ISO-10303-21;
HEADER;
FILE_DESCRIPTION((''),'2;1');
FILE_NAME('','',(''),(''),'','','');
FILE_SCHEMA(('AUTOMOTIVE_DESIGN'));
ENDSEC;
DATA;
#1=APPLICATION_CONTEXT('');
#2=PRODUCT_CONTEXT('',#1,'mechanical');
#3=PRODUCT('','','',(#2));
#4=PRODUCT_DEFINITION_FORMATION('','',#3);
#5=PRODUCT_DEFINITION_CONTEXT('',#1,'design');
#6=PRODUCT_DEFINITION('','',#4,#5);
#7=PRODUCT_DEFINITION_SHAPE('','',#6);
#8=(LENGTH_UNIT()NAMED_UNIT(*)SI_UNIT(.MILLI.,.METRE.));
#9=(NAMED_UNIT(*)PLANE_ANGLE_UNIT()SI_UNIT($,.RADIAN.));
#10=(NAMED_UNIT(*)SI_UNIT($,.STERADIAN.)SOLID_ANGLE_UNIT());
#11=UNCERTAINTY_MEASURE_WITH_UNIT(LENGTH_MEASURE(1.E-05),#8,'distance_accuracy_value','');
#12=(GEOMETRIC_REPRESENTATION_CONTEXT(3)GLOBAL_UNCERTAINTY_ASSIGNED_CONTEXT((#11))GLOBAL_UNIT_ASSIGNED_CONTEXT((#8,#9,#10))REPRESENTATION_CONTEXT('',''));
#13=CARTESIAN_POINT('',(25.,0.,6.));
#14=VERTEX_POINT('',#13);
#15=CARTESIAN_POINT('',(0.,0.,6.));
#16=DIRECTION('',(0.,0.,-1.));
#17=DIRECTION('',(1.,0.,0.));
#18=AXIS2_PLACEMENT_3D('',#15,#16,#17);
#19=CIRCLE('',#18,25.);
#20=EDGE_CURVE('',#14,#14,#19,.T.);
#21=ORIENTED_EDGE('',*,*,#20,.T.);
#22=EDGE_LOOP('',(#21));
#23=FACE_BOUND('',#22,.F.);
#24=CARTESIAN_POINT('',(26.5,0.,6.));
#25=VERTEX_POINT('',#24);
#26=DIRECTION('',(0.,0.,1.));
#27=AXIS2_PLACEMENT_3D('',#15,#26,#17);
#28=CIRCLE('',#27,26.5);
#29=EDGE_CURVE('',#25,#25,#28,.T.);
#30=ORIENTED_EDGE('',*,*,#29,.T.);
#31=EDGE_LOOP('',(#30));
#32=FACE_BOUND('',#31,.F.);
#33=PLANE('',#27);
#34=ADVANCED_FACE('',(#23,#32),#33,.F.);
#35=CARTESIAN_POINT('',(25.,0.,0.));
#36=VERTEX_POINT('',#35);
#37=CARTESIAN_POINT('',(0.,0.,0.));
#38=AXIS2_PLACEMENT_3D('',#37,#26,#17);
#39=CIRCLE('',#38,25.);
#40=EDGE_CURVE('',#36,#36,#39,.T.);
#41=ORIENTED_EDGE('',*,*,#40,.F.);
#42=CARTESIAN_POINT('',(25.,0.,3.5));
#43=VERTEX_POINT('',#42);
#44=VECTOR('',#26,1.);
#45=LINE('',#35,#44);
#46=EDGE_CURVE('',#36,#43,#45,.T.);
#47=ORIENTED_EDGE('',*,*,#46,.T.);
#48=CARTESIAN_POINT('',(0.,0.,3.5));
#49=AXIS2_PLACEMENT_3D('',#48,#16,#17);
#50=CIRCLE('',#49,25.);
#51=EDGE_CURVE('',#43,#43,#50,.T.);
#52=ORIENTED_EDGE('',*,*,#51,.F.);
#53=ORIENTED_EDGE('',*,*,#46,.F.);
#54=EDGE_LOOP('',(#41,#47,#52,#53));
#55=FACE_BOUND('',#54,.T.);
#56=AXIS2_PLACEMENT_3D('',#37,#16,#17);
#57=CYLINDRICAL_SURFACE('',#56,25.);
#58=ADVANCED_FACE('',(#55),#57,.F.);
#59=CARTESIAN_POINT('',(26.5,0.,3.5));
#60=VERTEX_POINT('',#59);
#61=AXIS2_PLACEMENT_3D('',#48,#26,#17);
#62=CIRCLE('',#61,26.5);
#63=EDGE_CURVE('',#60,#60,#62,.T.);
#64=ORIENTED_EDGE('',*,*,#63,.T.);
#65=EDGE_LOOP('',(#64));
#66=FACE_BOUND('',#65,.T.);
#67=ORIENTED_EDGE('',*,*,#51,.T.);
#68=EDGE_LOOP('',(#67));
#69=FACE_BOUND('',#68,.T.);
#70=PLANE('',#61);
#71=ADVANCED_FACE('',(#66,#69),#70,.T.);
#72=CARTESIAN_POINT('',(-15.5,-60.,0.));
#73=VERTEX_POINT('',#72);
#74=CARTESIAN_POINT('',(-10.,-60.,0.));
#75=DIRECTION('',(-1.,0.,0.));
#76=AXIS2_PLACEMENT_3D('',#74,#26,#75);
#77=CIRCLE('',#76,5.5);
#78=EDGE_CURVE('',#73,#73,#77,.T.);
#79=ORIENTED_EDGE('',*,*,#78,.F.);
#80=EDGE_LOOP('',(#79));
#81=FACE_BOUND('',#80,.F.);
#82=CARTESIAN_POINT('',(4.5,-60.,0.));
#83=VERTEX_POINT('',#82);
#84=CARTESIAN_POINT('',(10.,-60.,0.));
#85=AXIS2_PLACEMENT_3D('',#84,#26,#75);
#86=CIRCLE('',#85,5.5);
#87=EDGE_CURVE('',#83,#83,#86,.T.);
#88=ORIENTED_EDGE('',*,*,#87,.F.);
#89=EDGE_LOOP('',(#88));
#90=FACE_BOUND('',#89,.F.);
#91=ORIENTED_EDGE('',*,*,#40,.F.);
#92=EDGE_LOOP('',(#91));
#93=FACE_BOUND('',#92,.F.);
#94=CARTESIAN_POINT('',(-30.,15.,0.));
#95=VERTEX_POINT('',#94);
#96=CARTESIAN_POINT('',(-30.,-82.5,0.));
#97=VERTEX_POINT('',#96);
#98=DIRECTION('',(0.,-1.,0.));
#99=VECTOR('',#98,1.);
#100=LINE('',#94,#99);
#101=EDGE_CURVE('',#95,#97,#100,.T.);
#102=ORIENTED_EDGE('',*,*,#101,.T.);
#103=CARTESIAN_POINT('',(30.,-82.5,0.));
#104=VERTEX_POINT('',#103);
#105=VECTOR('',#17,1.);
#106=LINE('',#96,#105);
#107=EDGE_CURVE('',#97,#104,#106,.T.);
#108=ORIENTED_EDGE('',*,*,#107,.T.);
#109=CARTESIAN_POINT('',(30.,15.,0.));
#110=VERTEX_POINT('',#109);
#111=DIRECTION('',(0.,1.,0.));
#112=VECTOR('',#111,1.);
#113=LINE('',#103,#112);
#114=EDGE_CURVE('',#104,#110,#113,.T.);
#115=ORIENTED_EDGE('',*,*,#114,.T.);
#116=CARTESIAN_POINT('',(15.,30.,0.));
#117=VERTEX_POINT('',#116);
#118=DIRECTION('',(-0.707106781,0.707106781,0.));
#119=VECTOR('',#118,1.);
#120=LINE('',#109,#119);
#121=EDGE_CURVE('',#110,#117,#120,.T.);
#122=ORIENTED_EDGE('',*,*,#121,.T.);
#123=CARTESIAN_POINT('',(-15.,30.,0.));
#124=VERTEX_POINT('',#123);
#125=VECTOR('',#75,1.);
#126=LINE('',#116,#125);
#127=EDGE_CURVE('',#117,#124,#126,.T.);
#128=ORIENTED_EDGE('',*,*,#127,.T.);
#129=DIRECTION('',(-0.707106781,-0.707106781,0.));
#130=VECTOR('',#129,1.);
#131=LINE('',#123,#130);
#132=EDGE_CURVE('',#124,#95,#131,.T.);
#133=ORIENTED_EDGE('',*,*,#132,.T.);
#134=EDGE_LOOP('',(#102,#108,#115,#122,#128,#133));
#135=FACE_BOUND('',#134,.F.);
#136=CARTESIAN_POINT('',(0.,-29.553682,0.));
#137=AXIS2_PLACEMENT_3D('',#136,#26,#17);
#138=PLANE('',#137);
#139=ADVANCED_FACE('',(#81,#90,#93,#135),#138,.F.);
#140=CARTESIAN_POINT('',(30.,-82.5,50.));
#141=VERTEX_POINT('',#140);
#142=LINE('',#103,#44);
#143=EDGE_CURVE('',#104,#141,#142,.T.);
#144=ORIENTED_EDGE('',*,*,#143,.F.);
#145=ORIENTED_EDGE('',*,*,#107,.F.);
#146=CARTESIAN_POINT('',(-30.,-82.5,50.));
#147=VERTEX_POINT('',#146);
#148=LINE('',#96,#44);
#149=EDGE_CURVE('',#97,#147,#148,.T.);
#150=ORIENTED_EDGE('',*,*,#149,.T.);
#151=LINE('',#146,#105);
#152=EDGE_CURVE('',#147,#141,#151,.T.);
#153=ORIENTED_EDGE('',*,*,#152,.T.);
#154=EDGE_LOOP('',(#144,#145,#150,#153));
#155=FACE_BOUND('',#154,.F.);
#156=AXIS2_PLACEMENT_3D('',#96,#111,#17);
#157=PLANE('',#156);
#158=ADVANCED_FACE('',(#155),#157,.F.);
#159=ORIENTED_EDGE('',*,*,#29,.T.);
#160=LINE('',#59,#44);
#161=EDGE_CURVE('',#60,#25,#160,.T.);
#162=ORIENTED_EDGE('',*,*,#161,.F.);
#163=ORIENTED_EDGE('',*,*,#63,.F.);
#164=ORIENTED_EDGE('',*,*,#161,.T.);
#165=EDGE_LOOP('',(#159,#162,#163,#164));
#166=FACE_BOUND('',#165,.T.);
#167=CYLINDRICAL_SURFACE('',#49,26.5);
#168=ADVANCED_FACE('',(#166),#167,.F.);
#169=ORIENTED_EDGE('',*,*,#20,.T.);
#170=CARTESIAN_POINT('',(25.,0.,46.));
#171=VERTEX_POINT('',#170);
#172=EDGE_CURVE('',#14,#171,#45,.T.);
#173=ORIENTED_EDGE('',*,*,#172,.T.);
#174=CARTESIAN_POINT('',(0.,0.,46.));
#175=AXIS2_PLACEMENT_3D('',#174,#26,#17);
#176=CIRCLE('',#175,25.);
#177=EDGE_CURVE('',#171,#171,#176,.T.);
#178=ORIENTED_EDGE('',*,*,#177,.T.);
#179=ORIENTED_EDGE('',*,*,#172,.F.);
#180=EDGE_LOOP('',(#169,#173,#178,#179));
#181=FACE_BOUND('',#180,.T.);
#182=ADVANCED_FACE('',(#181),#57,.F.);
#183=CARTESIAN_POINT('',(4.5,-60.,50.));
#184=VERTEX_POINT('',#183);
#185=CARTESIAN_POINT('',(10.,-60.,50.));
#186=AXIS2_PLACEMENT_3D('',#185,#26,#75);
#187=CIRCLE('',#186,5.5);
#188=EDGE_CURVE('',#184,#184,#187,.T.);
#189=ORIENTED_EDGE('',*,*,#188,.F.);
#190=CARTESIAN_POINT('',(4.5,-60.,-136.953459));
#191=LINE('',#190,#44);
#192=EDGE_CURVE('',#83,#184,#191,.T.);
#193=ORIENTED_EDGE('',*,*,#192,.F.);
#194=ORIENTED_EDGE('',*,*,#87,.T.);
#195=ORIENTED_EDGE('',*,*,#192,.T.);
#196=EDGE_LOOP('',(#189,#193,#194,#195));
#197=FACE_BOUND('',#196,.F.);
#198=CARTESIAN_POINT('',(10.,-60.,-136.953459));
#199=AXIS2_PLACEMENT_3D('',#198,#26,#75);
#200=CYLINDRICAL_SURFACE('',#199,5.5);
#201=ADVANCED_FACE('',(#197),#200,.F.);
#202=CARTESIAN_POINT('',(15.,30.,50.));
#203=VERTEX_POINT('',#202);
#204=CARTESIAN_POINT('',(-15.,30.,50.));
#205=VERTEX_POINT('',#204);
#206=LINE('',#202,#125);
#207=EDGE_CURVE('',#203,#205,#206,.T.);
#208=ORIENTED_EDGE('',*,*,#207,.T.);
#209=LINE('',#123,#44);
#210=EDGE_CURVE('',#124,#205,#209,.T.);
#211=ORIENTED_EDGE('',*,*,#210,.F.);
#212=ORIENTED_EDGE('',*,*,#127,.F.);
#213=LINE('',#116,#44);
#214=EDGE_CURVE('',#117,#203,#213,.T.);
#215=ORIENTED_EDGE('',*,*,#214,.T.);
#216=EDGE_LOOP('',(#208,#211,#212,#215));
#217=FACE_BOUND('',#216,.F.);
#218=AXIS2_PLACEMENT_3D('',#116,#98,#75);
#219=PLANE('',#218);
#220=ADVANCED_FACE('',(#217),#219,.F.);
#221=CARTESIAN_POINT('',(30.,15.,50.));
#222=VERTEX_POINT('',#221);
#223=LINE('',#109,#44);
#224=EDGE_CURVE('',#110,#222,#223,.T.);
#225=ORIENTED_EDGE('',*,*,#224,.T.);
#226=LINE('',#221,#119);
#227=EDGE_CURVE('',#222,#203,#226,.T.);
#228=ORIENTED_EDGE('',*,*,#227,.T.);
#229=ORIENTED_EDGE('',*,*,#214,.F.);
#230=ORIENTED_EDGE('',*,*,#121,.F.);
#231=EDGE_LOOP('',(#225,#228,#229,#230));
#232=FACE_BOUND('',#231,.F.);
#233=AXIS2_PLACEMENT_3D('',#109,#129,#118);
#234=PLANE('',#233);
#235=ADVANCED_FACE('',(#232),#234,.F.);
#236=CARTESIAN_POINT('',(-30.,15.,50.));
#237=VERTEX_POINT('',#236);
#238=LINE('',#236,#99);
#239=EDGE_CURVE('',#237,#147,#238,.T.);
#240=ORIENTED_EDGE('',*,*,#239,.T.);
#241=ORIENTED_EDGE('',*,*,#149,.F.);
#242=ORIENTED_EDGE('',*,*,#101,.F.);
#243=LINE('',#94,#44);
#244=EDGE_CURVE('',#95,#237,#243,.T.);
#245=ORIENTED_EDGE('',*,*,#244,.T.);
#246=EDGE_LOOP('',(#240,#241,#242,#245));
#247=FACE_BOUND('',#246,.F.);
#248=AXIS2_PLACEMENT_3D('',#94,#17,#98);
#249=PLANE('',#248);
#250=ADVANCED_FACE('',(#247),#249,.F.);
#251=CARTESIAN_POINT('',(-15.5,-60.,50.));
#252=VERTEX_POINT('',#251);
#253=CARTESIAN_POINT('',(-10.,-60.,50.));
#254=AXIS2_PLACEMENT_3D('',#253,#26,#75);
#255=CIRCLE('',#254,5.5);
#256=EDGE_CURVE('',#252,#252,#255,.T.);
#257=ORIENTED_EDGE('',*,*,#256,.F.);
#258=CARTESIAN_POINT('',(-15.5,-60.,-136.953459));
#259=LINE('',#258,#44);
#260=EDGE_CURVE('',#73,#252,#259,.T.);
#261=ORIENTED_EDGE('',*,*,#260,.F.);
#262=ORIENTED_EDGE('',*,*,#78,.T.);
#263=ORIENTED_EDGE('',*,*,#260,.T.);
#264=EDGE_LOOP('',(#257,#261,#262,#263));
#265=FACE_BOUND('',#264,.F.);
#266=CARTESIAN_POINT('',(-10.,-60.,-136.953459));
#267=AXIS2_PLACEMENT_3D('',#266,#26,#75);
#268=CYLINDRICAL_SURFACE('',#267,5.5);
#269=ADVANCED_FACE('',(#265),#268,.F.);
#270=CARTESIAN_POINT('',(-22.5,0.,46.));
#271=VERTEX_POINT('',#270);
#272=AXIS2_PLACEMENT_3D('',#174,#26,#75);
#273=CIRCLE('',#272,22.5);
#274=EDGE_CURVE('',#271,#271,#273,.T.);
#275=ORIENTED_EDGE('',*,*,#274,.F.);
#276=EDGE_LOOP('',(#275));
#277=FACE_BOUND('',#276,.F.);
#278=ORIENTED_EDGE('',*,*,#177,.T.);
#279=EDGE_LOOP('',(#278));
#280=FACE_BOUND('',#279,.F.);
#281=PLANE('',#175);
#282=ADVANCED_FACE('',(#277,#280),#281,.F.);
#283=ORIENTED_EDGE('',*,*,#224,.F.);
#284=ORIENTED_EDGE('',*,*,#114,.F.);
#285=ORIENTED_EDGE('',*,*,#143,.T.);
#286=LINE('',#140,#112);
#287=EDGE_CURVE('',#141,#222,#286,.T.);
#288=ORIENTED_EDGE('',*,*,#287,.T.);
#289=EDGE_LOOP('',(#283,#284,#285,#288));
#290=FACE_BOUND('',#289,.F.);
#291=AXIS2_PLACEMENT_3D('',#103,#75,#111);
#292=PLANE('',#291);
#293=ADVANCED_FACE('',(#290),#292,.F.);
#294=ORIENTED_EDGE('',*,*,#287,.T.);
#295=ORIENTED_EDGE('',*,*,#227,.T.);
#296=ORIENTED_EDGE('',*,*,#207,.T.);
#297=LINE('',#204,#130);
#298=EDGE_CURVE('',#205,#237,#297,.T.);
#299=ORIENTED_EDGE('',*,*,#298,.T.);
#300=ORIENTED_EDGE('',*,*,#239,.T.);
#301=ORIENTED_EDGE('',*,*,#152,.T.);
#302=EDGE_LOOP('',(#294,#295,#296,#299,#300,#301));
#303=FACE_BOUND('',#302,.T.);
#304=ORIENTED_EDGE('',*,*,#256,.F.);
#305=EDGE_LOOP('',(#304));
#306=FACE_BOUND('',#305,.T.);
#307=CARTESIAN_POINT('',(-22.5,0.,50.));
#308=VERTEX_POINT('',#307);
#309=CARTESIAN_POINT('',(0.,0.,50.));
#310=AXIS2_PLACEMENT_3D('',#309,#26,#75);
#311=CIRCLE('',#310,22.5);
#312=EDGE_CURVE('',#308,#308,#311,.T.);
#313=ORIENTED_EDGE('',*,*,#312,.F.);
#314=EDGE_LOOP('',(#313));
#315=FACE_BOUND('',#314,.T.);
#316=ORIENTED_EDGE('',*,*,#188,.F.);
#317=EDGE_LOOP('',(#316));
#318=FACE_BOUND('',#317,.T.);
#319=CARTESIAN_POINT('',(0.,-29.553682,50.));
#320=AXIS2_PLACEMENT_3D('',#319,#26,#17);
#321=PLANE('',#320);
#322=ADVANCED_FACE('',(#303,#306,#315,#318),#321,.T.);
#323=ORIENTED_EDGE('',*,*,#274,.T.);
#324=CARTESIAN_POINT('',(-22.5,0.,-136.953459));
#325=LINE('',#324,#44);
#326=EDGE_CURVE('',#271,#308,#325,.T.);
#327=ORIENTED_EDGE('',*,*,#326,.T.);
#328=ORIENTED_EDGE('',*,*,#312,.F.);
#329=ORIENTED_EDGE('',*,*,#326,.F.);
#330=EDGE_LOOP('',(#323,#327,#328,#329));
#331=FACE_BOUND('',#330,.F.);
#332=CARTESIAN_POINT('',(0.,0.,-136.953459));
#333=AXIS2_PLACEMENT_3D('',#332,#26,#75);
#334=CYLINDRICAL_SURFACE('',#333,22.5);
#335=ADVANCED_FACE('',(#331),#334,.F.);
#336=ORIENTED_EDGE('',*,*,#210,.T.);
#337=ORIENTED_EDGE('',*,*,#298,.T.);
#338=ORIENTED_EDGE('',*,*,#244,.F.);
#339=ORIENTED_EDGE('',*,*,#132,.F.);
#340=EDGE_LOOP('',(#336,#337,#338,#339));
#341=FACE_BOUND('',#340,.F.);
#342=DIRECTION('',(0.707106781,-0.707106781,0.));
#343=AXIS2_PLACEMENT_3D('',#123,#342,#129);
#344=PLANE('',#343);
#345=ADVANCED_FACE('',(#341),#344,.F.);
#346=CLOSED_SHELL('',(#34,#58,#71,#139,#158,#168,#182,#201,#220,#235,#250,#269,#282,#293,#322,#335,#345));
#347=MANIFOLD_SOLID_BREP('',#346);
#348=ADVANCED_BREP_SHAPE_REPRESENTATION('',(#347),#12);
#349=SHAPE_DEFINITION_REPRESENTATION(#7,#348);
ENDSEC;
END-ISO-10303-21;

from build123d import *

# Parameters (mm, degrees)
F1_DEPTH = 50
F2_D     = 11
F3_D     = 45
F4_R     = 25
F5_DEPTH = 46
F7_START = 3.5
F6_R     = 26.5
F7_DEPTH = 2.5


with BuildPart() as f1:
    # F0 (on Top) → F1 (new body)
    with BuildSketch(Plane.XY):
        Polygon((15, 30), (-15, 30), (-30, 15), (-30, -82.5), (30, -82.5), (30, 15), align=None)
    extrude(amount=F1_DEPTH)

    # F2 (through all)
    with Locations(Plane(origin=(0, 0, 0), x_dir=(1, 0, 0), z_dir=(0, 0, -1))):
        with Locations((-10, 60), (10, 60)):
            Hole(F2_D / 2)

    # F3 (through all)
    with Locations(Plane(origin=(0, 0, 0), x_dir=(1, 0, 0), z_dir=(0, 0, -1))):
        with Locations((0, 0)):
            Hole(F3_D / 2)

    # F4 (on Top) → F5 (cut)
    with BuildSketch(Plane.XY):
        Circle(F4_R)
    extrude(amount=F5_DEPTH, mode=Mode.SUBTRACT)

    # F6 (on Top) → F7 (cut)
    with BuildSketch(Plane.XY.offset(F7_START)):
        Circle(F6_R)
    extrude(amount=F7_DEPTH, mode=Mode.SUBTRACT)


solid = f1.part
